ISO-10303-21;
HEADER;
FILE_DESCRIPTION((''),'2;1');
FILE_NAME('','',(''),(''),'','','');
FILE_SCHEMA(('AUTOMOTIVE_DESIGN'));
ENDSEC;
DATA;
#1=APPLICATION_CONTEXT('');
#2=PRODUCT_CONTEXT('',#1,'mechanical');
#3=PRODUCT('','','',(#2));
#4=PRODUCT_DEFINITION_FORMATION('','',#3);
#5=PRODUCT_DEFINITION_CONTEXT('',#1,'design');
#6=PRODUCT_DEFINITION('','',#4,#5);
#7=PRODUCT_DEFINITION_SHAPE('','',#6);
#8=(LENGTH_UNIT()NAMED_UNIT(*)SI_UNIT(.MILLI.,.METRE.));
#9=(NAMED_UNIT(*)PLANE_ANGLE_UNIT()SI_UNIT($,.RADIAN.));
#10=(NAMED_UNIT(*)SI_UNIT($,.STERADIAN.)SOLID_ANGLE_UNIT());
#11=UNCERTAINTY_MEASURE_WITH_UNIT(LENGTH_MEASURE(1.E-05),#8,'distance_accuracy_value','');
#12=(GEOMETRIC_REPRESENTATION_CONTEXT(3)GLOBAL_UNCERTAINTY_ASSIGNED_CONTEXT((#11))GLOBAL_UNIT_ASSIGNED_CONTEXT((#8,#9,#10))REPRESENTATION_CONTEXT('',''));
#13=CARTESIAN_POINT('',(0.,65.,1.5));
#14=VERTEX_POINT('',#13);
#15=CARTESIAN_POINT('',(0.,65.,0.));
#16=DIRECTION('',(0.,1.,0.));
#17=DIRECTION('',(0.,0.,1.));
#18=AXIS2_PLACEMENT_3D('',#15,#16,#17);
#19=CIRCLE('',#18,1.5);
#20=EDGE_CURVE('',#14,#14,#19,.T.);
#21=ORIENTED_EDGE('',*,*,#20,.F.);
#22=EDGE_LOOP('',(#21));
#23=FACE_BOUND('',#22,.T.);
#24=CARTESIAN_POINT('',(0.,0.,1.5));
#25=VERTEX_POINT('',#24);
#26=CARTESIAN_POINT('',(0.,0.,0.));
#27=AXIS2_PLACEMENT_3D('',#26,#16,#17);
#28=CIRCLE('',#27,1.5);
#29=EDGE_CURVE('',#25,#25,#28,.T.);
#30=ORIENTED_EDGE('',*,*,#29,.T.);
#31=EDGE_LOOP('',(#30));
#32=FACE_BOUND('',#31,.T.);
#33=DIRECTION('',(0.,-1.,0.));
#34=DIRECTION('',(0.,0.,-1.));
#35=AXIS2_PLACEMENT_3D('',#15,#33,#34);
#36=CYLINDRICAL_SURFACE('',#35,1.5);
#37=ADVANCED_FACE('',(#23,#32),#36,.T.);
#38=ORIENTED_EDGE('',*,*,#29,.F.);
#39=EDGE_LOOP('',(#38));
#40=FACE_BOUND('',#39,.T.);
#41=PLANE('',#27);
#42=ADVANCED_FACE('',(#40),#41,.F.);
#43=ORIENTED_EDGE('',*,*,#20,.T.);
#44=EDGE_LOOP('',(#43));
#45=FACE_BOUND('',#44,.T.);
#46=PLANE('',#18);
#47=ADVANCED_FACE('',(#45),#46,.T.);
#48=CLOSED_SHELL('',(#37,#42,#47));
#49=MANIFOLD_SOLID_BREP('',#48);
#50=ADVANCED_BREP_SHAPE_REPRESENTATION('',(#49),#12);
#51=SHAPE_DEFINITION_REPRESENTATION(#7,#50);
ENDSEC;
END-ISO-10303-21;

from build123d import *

# Parameters (mm, degrees)
SKETCH1_R           = 1.5
BOSS_EXTRUDE1_DEPTH = 65


with BuildPart() as part:
    # Sketch1 → Boss-Extrude1 (new body)
    with BuildSketch(Plane(origin=(0, 0, 0), x_dir=(1, 0, 0), z_dir=(0, 1, 0))):
        Circle(SKETCH1_R)
    extrude(amount=BOSS_EXTRUDE1_DEPTH)


solid = part.part
